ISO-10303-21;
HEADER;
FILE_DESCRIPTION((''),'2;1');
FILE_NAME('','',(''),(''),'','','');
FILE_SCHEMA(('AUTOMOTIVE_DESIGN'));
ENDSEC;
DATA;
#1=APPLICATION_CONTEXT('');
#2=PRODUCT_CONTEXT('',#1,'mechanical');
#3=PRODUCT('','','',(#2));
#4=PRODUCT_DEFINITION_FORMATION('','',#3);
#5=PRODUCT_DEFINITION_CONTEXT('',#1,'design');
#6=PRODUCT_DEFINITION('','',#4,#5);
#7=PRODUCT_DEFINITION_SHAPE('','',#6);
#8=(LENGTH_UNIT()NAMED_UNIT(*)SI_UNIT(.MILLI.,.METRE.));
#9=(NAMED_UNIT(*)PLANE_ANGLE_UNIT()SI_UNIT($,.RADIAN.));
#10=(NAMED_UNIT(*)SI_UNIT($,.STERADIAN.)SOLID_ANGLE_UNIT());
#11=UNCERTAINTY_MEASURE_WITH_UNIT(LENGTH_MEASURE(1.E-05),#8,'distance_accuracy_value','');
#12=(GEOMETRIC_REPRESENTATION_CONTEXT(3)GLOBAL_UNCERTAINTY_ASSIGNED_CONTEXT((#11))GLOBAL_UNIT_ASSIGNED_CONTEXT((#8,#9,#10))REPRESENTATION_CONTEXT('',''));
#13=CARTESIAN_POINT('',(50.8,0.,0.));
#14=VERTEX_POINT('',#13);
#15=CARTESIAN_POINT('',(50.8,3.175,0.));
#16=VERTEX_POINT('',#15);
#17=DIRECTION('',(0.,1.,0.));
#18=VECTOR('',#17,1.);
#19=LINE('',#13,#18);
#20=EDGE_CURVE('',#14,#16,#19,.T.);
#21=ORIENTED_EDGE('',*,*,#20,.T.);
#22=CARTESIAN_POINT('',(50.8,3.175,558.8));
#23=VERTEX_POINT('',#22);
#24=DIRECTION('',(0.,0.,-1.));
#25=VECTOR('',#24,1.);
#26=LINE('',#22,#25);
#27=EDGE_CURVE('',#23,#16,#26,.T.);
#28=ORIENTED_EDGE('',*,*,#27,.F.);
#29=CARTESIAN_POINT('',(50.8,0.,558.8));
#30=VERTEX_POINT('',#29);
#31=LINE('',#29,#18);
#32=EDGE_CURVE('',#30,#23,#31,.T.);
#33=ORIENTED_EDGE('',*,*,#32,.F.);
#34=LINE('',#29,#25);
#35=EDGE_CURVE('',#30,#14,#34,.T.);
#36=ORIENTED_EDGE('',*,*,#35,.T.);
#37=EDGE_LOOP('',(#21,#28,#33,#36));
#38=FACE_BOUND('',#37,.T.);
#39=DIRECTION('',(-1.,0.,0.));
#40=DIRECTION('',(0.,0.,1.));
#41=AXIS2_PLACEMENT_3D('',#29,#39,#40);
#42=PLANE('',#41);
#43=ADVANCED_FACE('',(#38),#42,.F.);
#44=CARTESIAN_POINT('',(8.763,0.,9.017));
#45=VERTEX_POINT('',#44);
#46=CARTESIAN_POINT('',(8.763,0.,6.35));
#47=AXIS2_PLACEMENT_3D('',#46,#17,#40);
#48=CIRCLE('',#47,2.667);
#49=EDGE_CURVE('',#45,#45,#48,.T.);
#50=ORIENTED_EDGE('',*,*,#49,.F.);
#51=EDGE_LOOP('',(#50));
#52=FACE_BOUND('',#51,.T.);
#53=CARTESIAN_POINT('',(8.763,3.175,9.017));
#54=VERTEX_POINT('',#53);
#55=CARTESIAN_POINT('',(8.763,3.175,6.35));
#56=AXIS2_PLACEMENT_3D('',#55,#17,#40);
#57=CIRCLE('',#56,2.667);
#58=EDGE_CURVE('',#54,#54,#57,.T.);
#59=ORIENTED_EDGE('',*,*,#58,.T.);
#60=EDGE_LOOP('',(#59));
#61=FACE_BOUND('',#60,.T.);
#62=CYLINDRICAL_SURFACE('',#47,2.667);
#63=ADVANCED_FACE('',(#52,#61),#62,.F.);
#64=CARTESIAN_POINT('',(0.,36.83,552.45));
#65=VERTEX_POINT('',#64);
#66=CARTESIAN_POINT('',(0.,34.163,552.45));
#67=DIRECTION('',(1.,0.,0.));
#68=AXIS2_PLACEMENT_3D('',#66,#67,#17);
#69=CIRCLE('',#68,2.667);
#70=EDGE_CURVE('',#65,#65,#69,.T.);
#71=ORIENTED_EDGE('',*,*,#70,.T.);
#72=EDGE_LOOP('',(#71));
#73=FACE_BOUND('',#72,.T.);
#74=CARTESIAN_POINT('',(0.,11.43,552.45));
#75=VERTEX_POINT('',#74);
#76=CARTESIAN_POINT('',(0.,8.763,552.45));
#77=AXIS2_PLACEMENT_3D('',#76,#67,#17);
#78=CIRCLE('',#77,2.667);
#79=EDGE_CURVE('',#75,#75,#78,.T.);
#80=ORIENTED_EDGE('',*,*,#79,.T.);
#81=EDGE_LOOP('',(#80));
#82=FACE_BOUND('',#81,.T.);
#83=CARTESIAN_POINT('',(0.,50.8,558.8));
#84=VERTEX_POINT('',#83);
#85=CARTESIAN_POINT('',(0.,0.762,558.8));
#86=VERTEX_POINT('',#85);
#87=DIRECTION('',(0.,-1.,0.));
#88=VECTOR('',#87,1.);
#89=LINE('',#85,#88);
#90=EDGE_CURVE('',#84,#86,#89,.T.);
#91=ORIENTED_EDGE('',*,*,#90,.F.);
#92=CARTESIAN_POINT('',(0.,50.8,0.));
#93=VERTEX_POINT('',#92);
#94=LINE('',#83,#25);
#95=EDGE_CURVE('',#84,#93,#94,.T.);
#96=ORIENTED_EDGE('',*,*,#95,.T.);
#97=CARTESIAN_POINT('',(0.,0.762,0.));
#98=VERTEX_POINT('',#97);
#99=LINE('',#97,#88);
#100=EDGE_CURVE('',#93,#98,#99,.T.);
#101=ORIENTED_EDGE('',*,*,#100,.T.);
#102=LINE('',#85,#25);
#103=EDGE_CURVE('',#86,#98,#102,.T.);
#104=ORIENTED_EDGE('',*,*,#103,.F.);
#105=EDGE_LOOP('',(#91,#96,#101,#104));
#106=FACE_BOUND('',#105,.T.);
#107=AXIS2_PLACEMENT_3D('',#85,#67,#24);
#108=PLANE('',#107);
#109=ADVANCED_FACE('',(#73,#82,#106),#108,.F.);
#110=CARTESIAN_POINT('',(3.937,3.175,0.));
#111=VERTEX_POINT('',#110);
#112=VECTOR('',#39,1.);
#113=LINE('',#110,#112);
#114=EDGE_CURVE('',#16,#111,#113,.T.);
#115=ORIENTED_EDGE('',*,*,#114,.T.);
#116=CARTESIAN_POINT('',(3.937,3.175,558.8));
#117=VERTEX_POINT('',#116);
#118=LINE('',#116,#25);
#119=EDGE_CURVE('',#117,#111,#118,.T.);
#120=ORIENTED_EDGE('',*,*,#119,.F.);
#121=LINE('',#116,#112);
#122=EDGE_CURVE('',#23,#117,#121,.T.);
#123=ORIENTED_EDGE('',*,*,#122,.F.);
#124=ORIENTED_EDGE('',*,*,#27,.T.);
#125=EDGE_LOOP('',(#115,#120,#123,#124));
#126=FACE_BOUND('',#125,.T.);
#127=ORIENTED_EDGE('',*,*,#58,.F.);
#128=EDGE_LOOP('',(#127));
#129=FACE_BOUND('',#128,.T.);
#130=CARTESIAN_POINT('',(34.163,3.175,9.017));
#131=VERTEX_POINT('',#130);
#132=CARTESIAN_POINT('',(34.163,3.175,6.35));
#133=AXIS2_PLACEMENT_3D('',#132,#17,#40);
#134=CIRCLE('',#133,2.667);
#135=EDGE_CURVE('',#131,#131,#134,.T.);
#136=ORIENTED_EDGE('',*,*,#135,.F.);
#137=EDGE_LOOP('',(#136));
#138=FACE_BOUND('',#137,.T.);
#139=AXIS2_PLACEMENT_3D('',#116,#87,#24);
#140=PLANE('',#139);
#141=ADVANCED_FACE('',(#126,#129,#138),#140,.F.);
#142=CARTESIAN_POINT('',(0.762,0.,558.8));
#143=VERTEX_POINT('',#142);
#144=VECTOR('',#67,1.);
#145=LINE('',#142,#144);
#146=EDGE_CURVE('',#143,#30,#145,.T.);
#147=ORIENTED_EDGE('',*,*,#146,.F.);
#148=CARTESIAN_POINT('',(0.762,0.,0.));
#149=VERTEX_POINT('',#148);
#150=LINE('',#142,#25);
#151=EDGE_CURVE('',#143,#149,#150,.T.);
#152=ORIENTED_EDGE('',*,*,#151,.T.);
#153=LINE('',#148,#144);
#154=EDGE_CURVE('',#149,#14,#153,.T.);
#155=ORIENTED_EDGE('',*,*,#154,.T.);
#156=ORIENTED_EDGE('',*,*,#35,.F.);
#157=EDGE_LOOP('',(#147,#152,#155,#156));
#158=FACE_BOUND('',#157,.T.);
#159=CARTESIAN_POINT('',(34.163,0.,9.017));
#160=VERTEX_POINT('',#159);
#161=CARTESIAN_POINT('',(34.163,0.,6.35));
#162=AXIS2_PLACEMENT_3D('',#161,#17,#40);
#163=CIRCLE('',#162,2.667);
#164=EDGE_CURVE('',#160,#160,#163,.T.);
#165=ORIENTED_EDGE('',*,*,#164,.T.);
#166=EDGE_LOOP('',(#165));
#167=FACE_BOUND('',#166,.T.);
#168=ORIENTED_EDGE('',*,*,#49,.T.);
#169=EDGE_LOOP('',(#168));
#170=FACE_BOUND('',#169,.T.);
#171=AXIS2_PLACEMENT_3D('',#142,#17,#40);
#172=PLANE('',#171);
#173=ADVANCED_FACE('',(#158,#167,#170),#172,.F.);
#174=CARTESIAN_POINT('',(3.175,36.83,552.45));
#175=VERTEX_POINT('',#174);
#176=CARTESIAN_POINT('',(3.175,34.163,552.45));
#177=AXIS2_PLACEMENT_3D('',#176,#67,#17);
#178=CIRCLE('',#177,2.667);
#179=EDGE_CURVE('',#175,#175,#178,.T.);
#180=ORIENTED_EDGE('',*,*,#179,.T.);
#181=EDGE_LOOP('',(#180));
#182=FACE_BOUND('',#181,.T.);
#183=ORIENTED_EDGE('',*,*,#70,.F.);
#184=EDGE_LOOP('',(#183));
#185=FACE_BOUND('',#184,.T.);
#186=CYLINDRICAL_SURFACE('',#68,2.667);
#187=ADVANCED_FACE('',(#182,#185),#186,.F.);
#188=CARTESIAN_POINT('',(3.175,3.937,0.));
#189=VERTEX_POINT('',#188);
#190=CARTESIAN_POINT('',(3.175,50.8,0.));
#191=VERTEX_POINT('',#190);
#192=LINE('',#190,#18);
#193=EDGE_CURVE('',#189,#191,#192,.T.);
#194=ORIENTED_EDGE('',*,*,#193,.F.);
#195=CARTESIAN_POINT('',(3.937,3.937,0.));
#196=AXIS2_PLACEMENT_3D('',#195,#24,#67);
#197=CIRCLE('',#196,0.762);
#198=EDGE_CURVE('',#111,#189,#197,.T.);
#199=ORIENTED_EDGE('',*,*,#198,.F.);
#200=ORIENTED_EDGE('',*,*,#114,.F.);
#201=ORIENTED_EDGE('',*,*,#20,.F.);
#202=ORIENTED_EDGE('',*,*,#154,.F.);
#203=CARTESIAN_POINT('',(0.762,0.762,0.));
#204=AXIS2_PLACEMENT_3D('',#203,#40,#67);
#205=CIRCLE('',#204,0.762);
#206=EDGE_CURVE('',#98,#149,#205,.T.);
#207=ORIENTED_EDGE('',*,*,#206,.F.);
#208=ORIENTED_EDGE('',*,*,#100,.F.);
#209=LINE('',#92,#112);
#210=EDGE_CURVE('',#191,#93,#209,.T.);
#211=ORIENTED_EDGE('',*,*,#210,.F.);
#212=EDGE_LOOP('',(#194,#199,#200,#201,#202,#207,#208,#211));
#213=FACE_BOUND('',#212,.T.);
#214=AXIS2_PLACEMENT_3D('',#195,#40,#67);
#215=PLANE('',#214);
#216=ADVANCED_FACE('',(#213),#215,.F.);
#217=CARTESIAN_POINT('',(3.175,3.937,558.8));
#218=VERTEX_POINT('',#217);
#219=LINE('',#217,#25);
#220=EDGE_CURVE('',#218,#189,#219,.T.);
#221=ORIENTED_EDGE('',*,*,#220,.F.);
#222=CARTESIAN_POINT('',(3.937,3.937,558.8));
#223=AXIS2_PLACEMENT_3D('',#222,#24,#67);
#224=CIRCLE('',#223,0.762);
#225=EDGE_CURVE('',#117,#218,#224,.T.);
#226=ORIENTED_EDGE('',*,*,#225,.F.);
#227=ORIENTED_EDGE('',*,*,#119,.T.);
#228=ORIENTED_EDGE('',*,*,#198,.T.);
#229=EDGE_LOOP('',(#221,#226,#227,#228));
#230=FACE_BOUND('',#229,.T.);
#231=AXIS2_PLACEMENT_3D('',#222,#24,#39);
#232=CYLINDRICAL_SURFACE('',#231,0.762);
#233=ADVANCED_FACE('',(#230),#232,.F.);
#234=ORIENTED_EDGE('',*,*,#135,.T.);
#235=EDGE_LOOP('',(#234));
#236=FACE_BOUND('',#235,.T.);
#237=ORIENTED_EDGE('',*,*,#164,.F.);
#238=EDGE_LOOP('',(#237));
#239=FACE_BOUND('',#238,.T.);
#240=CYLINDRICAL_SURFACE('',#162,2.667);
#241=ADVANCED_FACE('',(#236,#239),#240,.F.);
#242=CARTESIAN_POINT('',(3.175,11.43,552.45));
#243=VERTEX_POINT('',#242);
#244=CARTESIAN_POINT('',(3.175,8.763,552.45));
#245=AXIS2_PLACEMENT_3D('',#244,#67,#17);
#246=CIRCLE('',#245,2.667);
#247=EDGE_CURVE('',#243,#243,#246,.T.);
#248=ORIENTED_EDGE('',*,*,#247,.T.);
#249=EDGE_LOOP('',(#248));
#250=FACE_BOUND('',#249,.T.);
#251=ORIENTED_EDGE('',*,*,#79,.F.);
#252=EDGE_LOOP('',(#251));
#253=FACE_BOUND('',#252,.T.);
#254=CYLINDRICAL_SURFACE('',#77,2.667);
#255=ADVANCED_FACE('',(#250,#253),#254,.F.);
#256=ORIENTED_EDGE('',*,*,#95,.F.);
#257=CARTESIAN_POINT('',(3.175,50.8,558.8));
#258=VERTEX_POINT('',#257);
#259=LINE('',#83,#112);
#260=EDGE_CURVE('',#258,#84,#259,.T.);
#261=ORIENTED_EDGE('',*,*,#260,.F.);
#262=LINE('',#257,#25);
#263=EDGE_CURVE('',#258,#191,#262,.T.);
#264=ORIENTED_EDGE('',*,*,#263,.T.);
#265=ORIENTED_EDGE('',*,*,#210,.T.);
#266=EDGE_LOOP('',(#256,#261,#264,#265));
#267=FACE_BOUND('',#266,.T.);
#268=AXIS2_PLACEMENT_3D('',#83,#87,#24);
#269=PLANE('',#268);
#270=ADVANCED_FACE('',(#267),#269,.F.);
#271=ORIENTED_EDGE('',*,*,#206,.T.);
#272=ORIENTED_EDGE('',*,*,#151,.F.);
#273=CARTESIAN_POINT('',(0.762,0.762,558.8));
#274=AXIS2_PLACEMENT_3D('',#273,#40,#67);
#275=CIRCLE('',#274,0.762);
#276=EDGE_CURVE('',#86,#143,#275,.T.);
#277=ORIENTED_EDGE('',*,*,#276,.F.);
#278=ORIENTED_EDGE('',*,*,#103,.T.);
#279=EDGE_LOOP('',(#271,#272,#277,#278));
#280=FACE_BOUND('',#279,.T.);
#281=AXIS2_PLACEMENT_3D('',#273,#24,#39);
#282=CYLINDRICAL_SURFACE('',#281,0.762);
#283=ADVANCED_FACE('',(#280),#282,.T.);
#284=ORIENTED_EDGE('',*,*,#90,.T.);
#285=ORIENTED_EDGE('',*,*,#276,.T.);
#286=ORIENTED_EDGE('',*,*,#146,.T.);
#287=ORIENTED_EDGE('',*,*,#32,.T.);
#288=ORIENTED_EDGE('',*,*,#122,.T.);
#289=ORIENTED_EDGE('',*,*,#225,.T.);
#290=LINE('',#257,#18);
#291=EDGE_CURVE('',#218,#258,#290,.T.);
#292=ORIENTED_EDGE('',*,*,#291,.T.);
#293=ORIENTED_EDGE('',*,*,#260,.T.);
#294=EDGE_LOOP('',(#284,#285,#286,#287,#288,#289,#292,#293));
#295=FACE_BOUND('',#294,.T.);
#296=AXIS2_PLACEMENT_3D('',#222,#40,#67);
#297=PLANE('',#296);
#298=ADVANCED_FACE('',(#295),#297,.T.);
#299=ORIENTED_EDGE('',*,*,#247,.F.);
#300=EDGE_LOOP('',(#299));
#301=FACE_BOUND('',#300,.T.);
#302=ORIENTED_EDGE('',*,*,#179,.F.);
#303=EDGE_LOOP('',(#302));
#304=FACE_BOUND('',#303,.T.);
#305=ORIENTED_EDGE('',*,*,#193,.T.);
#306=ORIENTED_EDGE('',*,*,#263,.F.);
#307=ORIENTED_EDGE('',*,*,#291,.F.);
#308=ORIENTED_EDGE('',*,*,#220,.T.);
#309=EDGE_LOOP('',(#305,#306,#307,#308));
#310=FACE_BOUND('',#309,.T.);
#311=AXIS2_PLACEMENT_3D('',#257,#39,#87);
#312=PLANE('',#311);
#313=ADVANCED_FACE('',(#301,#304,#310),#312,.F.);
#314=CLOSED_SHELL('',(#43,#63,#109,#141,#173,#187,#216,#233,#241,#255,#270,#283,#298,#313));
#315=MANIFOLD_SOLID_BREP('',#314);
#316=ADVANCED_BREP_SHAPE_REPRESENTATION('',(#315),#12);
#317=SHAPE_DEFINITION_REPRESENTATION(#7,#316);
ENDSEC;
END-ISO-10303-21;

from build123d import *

# Parameters (mm, degrees)
BOSS_EXTRUDE1_DEPTH = 558.8
SKETCH2_R           = 2.667
CUT_EXTRUDE1_DEPTH  = 564.121852377
SKETCH3_R           = 2.667
CUT_EXTRUDE2_DEPTH  = 564.121852377


with BuildPart() as part:
    # Sketch1 → Boss-Extrude1 (new body)
    with BuildSketch(Plane.XY):
        with BuildLine():
            Line((3.175, 50.8), (3.175, 3.937))
            ThreePointArc((3.175, 3.937), (3.398184633, 3.398184633), (3.937, 3.175))
            Line((3.937, 3.175), (50.8, 3.175))
            Line((50.8, 3.175), (50.8, 0))
            Line((50.8, 0), (0.762, 0))
            ThreePointArc((0.762, 0), (0.223184633, 0.223184633), (0, 0.762))
            Line((0, 0.762), (0, 50.8))
            Line((0, 50.8), (3.175, 50.8))
        make_face()
    extrude(amount=BOSS_EXTRUDE1_DEPTH)

    # Sketch2 → Cut-Extrude1 (cut, through all)
    with BuildSketch(Plane(origin=(0, 3.175, 0), x_dir=(1, 0, 0), z_dir=(0, 1, 0))):
        with Locations(Location((34.163, -6.35, 0), (0, 0, 270))):
            Circle(SKETCH2_R)
        with Locations(Location((8.763, -6.35, 0), (0, 0, 270))):
            Circle(SKETCH2_R)
    extrude(amount=-CUT_EXTRUDE1_DEPTH, mode=Mode.SUBTRACT)

    # Sketch3 → Cut-Extrude2 (cut, through all)
    with BuildSketch(Plane(origin=(3.175, 0, 0), x_dir=(0, 0, -1), z_dir=(1, 0, 0))):
        with Locations(Location((-552.45, 34.163, 0), (0, 0, 90))):
            Circle(SKETCH3_R)
        with Locations(Location((-552.45, 8.763, 0), (0, 0, 90))):
            Circle(SKETCH3_R)
    extrude(amount=-CUT_EXTRUDE2_DEPTH, mode=Mode.SUBTRACT)


solid = part.part
